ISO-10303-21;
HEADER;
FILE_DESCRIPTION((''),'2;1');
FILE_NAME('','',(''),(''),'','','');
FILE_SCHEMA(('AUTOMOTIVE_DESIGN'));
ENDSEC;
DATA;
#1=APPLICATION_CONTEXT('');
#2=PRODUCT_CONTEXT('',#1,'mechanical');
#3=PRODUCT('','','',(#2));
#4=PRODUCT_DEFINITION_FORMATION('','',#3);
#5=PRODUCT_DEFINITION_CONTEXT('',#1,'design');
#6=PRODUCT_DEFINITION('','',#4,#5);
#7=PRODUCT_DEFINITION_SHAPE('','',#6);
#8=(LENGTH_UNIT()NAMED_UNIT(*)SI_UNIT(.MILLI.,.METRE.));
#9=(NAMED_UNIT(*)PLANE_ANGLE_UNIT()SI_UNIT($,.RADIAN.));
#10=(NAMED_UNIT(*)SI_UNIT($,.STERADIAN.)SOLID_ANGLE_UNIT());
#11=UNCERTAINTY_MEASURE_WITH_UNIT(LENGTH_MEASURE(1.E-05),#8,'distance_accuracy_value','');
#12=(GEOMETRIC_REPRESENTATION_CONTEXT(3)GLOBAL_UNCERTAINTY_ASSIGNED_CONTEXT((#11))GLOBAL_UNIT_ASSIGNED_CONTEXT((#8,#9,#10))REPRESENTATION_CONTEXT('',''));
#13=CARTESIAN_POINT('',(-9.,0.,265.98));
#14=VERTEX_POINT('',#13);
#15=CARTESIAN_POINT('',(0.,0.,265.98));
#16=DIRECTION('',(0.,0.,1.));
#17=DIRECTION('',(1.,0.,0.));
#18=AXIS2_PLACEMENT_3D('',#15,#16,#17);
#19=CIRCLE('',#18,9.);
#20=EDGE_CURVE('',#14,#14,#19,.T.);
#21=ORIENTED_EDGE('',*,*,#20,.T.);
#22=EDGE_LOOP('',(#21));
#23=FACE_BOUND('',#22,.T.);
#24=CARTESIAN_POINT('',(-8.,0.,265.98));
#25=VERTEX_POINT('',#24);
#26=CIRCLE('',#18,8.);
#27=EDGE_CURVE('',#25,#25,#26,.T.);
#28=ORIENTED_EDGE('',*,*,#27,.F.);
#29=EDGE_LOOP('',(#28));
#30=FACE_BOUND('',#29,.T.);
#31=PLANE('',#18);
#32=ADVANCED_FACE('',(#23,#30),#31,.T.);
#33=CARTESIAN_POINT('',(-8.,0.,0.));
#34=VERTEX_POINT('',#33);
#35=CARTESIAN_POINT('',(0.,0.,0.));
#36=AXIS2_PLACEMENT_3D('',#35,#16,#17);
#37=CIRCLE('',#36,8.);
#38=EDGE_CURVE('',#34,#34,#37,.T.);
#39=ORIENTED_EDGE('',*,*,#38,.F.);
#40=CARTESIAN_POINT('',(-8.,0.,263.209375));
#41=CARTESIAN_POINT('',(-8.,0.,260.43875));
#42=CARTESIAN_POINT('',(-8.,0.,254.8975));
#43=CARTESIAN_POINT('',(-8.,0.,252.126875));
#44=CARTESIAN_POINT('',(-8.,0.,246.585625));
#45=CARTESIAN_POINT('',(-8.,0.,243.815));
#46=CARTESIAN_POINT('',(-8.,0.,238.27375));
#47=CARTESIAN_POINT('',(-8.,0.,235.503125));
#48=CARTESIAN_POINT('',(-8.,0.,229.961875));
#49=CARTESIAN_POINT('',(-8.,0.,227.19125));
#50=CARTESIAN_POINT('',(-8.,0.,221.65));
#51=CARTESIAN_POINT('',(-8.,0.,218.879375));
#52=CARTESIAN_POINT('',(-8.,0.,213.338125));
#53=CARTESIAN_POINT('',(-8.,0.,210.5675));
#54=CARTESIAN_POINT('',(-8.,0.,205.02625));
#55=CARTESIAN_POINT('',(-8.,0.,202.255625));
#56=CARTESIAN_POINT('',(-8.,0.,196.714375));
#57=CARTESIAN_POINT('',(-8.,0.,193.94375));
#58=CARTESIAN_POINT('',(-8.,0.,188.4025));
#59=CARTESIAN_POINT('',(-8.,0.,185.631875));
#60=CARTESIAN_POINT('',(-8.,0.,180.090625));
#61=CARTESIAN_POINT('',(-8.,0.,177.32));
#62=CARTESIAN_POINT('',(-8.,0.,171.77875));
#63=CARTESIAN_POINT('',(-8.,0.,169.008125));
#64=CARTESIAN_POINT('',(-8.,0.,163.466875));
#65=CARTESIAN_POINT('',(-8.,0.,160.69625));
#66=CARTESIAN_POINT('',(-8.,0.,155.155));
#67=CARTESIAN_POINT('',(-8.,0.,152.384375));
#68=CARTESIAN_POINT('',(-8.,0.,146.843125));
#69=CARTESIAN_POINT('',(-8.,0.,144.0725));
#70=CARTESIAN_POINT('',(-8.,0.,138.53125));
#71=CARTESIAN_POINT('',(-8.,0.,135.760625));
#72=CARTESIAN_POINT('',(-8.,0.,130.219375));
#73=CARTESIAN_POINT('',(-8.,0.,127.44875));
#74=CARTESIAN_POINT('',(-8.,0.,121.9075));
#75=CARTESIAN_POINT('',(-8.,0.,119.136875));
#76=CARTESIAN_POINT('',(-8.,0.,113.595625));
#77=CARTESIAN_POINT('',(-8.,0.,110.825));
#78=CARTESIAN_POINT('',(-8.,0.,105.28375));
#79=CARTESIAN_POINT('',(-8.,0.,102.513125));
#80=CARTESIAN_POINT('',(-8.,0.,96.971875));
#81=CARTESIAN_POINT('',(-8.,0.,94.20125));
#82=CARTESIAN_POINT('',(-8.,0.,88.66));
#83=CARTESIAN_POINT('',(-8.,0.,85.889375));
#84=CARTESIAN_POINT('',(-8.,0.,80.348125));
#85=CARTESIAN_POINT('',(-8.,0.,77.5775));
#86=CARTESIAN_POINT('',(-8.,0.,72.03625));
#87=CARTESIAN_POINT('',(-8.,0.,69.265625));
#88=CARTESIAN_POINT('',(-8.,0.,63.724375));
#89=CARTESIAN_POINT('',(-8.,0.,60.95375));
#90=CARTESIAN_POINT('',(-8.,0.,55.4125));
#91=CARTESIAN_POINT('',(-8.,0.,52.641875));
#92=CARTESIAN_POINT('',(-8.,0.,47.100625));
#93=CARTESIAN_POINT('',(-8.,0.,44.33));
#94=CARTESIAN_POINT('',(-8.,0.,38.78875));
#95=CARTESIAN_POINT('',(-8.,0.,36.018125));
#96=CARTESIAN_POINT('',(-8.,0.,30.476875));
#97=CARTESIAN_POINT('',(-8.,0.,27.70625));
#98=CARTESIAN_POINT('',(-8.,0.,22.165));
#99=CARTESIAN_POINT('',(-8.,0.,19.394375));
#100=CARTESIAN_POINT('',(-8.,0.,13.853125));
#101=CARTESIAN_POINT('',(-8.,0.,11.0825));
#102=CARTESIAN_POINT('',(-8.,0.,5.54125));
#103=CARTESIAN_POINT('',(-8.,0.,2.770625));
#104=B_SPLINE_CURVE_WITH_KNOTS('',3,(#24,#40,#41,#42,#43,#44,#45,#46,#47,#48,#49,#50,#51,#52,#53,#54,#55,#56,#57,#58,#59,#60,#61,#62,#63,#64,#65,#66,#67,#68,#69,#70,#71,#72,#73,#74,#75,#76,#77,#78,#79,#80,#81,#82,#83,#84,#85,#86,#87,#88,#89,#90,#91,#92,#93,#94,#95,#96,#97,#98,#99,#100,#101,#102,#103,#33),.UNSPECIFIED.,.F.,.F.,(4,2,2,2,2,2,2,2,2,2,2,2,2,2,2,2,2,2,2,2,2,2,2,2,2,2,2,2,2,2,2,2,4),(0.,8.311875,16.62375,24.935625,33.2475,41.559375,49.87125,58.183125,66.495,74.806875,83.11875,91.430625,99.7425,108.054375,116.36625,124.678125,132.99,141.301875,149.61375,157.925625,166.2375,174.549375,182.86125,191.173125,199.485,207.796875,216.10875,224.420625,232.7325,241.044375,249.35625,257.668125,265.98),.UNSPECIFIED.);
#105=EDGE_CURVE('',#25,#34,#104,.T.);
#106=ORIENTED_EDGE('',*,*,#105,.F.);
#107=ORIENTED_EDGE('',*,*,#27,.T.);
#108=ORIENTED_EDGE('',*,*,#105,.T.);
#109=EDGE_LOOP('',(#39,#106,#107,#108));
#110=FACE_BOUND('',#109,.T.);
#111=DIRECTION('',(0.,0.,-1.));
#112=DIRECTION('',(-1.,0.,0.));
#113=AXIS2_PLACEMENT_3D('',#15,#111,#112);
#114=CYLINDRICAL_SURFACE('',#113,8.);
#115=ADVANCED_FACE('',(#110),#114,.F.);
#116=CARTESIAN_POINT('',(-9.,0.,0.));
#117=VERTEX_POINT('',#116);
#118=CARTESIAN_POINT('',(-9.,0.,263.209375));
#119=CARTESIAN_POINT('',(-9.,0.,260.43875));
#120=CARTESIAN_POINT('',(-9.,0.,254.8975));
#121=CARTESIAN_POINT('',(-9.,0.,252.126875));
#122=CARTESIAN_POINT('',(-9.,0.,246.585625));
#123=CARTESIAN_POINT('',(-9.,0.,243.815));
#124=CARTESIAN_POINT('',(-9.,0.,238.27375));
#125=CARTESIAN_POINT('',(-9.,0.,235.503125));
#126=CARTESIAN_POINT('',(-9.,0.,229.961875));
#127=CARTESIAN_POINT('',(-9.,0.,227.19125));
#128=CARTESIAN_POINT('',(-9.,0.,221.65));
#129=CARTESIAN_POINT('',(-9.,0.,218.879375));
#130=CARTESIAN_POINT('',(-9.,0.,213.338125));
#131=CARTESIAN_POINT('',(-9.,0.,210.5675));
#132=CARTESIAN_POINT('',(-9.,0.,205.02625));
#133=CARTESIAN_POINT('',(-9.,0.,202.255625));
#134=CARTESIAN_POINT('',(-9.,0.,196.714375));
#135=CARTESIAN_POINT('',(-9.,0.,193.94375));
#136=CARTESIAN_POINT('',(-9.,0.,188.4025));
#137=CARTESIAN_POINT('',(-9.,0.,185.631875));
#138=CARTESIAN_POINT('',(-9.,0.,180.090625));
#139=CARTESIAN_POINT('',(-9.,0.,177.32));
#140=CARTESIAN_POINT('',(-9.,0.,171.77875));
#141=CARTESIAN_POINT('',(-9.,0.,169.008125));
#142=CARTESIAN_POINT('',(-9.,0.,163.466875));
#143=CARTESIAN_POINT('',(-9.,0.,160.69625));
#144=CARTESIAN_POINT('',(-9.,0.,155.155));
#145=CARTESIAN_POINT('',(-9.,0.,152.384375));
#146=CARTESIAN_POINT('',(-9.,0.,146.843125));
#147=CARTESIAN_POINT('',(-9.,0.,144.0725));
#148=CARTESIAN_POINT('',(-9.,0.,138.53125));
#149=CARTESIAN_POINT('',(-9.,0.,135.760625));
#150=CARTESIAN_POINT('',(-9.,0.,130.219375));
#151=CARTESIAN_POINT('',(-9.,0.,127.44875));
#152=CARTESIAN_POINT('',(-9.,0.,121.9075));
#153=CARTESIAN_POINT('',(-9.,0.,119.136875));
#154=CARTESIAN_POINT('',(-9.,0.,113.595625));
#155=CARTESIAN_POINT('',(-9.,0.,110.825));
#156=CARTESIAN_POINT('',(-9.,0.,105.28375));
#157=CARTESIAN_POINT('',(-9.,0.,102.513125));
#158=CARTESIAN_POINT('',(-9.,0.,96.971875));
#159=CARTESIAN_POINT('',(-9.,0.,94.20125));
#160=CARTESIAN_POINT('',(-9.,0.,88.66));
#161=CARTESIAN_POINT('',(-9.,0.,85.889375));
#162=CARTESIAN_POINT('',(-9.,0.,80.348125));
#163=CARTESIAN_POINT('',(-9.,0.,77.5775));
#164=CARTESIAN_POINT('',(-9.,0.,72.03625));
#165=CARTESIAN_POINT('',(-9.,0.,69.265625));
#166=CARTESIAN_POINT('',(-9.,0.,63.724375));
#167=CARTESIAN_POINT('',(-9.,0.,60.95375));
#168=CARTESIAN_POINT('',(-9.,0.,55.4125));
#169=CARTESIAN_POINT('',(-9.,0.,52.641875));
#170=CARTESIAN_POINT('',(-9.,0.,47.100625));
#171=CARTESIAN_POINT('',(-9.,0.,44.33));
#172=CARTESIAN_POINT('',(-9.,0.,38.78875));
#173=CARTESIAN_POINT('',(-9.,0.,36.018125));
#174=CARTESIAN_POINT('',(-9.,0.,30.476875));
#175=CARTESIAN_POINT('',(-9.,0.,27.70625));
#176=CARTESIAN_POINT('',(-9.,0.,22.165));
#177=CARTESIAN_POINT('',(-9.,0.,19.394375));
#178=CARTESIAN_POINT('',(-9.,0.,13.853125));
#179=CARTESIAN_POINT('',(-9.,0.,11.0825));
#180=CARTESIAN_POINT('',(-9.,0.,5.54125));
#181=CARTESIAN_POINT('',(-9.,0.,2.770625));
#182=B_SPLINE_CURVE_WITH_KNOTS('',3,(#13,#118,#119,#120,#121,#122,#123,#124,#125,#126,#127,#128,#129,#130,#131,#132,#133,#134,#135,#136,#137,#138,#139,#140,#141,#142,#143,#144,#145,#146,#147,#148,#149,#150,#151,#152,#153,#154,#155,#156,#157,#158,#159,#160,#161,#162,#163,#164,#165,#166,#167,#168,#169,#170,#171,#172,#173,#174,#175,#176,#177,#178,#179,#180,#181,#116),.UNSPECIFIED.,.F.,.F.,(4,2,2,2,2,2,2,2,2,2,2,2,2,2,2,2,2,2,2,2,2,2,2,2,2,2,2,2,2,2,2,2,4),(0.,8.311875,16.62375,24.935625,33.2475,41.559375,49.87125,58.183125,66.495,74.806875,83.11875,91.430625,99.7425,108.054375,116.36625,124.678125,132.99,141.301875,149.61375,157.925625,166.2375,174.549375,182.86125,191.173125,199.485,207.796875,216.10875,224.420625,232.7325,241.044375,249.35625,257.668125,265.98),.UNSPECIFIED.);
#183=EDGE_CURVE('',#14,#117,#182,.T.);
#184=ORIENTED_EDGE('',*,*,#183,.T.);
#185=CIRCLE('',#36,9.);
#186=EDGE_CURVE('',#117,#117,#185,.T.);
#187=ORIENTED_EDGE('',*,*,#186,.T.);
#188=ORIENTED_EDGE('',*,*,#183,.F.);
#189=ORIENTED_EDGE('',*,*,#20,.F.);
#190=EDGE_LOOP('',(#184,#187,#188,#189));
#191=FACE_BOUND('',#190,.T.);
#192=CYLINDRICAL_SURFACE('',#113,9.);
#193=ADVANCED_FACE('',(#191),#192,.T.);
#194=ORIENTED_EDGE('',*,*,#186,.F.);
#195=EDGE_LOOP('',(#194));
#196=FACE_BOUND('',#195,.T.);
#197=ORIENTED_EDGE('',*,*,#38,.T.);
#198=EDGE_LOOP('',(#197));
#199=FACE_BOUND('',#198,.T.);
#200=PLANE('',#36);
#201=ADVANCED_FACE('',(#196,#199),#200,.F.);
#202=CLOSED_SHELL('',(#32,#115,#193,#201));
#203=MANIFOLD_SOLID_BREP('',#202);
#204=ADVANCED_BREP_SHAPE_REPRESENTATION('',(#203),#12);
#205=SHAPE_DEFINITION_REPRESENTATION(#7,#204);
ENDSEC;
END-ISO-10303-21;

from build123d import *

# Parameters (mm, degrees)
SKETCH1_R           = 9
BOSS_EXTRUDE1_DEPTH = 265.98
SHELL1_T            = -1


with BuildPart() as part:
    # Sketch1 → Boss-Extrude1 (new body)
    with BuildSketch(Plane.XY):
        with Locations(Location((0, 0, 0), (0, 0, 180))):
            Circle(SKETCH1_R)
    extrude(amount=BOSS_EXTRUDE1_DEPTH)

    # Shell1
    shell1_openings = [part.faces().sort_by_distance(p)[0] for p in [
        (0, 0, 265.98),
        (0, 0, 0),
    ]]
    offset(amount=SHELL1_T, openings=shell1_openings, kind=Kind.INTERSECTION)


solid = part.part
